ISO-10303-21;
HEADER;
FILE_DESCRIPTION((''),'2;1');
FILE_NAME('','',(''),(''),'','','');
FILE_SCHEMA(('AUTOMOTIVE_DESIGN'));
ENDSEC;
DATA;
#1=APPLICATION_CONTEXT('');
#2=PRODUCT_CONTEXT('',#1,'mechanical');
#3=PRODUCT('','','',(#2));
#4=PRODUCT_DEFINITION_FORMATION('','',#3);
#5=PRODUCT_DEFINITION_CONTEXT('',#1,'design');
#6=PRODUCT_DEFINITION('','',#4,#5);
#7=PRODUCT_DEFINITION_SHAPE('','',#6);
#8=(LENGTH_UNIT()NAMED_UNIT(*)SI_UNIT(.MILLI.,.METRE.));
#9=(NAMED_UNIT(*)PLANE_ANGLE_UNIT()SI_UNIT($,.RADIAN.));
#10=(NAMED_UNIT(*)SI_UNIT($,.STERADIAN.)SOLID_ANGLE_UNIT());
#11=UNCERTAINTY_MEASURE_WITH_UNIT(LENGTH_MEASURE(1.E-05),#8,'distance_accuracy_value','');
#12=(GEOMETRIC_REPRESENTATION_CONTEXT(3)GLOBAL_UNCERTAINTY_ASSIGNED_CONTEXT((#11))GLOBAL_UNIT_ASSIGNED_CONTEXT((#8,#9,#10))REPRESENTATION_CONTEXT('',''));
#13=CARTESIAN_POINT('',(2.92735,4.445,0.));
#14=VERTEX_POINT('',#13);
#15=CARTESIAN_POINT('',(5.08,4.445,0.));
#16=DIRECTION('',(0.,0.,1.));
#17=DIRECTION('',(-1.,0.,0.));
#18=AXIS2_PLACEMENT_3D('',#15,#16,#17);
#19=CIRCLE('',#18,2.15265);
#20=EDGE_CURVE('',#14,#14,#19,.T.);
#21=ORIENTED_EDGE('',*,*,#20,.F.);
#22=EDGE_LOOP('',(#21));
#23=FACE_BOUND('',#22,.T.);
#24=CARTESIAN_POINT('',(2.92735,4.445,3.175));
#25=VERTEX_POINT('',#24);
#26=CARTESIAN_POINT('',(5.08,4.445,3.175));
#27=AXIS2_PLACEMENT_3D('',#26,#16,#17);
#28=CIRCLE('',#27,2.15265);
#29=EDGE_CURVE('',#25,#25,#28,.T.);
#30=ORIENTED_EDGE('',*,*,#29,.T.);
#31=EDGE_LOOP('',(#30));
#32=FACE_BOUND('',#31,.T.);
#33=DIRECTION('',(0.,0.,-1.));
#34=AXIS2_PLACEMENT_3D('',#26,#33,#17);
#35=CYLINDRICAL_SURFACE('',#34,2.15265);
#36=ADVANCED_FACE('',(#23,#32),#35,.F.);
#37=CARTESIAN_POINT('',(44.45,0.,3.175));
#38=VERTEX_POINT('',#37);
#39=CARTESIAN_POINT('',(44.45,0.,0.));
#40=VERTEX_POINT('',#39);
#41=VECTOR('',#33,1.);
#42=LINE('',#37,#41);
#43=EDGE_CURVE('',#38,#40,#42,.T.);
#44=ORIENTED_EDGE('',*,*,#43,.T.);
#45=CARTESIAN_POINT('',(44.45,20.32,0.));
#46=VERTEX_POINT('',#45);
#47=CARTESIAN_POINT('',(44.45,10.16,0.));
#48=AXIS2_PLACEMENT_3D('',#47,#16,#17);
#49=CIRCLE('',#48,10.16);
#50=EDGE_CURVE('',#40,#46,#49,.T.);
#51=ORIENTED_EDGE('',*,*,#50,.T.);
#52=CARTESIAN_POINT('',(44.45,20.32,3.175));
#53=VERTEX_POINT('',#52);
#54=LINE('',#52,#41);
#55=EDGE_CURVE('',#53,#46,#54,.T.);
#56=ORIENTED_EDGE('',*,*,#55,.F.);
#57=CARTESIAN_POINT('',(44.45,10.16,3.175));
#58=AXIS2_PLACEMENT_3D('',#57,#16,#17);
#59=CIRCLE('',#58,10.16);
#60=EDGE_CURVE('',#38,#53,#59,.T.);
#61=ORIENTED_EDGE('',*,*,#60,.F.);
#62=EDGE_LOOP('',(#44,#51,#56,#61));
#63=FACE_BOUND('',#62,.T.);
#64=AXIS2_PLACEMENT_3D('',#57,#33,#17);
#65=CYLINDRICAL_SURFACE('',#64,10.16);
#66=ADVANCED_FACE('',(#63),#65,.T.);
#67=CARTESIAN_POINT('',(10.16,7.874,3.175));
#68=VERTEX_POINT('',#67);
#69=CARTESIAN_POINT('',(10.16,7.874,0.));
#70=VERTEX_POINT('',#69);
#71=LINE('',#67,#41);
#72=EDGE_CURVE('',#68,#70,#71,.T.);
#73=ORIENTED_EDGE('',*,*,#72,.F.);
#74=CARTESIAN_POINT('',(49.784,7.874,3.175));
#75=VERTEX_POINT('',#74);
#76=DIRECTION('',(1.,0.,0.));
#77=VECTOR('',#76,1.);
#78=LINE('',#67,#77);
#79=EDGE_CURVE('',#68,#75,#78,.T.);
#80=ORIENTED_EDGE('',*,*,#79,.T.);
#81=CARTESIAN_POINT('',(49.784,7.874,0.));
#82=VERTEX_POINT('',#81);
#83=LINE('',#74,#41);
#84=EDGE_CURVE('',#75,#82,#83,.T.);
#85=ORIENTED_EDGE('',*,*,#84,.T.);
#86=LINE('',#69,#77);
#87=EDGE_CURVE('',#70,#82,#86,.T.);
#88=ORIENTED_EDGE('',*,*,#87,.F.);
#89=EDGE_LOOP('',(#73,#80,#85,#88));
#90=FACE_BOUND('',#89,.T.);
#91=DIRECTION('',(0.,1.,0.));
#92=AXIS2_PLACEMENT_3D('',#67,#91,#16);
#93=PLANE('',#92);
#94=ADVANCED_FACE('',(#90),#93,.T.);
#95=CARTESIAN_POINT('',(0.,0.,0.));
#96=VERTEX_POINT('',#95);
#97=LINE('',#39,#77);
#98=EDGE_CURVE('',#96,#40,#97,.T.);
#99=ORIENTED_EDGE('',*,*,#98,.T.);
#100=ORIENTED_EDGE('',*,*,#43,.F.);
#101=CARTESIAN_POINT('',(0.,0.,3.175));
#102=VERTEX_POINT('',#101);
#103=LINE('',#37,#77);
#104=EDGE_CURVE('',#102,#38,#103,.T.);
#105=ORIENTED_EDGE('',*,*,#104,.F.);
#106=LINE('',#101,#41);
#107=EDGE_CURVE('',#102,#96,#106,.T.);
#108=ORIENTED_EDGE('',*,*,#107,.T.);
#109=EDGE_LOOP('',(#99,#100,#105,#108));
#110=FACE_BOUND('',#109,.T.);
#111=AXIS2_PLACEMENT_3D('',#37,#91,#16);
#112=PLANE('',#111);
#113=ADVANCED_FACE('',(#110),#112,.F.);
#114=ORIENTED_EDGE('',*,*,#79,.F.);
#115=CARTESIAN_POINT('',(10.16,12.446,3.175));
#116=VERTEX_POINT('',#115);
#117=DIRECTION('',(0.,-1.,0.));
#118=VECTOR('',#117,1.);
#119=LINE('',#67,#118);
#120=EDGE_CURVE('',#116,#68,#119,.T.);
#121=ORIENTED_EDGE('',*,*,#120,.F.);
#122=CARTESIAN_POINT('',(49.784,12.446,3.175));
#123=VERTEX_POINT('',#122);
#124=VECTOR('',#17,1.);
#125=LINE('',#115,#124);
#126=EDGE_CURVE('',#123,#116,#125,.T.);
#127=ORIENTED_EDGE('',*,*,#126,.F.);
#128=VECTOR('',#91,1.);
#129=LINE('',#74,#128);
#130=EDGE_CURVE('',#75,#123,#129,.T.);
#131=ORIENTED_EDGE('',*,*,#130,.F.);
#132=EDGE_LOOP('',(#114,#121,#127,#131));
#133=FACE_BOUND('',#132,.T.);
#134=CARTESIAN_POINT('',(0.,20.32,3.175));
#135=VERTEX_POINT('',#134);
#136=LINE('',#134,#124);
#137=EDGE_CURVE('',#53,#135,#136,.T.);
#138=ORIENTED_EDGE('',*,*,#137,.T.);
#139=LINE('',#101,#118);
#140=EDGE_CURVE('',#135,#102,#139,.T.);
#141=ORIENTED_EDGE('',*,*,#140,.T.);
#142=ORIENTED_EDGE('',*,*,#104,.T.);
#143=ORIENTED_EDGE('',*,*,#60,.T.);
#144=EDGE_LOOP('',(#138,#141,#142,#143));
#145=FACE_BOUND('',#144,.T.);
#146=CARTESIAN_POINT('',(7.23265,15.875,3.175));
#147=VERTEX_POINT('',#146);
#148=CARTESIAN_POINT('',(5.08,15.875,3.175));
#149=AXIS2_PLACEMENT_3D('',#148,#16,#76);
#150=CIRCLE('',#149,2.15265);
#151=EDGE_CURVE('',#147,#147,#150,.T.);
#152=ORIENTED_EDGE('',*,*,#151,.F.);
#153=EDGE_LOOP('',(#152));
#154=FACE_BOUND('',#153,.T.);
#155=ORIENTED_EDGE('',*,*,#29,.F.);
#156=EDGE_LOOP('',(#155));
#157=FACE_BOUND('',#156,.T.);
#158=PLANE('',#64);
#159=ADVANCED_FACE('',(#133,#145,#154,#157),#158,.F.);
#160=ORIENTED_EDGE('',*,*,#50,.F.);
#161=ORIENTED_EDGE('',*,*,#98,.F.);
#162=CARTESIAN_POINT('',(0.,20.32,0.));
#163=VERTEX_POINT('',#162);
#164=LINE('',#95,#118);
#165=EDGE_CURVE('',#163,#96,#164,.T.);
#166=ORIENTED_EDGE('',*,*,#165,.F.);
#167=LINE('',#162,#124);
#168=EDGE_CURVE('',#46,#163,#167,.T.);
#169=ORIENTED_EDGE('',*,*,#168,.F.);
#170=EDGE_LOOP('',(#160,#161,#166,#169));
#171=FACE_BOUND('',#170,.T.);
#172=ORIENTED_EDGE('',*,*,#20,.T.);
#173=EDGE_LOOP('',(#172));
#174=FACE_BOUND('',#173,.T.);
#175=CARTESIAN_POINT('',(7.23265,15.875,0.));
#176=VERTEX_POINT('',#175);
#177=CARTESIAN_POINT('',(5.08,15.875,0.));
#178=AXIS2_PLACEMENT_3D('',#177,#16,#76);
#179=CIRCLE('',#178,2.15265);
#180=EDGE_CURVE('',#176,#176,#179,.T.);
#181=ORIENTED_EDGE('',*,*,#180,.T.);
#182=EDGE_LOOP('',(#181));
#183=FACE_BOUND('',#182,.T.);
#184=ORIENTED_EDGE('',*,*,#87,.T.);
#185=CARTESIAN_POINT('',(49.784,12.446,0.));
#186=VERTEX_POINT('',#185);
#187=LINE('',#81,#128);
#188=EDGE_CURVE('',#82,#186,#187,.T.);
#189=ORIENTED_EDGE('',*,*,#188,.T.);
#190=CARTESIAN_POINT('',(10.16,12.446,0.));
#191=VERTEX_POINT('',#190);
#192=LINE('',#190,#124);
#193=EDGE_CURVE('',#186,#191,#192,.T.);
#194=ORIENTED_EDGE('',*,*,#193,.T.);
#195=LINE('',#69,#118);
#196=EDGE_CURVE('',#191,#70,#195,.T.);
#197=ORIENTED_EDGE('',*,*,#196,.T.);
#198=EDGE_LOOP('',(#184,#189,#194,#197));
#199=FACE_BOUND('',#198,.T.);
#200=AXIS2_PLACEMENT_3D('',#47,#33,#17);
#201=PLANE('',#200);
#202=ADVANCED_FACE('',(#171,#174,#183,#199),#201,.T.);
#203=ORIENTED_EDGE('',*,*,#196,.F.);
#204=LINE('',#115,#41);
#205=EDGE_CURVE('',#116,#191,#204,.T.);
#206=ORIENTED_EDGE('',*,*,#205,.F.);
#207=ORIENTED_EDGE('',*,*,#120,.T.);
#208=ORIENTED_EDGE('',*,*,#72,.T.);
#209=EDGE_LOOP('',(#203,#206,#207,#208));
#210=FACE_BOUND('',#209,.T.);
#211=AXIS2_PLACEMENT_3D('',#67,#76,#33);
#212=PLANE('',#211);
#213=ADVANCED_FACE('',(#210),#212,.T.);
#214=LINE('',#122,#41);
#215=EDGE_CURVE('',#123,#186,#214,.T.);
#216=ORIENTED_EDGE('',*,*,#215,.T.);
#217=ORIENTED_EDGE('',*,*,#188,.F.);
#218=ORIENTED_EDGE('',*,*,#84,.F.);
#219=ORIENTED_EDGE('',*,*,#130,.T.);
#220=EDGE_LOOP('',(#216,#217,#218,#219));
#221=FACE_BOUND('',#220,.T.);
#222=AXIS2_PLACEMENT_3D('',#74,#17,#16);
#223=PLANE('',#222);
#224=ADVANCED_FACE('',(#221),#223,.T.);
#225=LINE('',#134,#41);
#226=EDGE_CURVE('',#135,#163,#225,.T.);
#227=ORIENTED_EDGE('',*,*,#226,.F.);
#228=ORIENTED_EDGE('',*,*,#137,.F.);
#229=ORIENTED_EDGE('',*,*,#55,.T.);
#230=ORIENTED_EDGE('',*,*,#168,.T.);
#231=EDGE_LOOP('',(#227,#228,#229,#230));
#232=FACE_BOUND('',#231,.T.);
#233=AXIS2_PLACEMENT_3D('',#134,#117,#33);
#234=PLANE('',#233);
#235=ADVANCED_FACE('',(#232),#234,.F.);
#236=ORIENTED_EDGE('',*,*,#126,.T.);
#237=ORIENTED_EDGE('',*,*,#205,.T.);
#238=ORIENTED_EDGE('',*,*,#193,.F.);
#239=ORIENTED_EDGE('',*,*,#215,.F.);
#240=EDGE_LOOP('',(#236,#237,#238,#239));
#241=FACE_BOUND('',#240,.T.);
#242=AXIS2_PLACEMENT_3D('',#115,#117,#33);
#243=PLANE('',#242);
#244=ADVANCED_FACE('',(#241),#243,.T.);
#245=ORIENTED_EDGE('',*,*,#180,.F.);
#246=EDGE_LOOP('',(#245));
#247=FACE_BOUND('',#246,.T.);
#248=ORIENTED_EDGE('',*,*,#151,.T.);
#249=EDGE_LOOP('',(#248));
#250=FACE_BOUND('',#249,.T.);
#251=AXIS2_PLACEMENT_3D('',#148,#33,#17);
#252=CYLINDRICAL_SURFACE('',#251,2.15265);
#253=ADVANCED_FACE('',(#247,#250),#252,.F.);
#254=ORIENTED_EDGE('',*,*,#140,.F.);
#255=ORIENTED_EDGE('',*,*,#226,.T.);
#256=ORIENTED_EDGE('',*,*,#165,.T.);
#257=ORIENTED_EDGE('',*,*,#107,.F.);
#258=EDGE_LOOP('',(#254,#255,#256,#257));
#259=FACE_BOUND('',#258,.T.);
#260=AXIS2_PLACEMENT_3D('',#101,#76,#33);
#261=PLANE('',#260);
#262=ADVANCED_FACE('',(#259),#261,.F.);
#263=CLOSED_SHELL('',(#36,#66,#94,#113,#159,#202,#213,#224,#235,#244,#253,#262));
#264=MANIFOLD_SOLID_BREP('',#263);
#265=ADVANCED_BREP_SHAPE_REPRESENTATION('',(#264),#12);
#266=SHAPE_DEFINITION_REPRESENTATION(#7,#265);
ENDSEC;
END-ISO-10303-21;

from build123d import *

# Parameters (mm, degrees)
SKETCH1_R           = 2.15265
SKETCH1_W           = 39.624
SKETCH1_H           = 4.572
BOSS_EXTRUDE1_DEPTH = 3.175


with BuildPart() as part:
    # Sketch1 → Boss-Extrude1 (new body)
    with BuildSketch(Plane.XY):
        with BuildLine():
            Line((0, 0), (0, 20.32))
            Line((0, 20.32), (44.45, 20.32))
            ThreePointArc((44.45, 20.32), (54.61, 10.16), (44.45, 0))
            Line((44.45, 0), (0, 0))
        make_face()
        with Locations((5.08, 15.875)):
            Circle(SKETCH1_R, mode=Mode.SUBTRACT)
        with Locations(Location((5.08, 4.445, 0), (0, 0, 180))):
            Circle(SKETCH1_R, mode=Mode.SUBTRACT)
        with Locations((29.972, 10.16)):
            Rectangle(SKETCH1_W, SKETCH1_H, mode=Mode.SUBTRACT)
    extrude(amount=BOSS_EXTRUDE1_DEPTH)


solid = part.part
